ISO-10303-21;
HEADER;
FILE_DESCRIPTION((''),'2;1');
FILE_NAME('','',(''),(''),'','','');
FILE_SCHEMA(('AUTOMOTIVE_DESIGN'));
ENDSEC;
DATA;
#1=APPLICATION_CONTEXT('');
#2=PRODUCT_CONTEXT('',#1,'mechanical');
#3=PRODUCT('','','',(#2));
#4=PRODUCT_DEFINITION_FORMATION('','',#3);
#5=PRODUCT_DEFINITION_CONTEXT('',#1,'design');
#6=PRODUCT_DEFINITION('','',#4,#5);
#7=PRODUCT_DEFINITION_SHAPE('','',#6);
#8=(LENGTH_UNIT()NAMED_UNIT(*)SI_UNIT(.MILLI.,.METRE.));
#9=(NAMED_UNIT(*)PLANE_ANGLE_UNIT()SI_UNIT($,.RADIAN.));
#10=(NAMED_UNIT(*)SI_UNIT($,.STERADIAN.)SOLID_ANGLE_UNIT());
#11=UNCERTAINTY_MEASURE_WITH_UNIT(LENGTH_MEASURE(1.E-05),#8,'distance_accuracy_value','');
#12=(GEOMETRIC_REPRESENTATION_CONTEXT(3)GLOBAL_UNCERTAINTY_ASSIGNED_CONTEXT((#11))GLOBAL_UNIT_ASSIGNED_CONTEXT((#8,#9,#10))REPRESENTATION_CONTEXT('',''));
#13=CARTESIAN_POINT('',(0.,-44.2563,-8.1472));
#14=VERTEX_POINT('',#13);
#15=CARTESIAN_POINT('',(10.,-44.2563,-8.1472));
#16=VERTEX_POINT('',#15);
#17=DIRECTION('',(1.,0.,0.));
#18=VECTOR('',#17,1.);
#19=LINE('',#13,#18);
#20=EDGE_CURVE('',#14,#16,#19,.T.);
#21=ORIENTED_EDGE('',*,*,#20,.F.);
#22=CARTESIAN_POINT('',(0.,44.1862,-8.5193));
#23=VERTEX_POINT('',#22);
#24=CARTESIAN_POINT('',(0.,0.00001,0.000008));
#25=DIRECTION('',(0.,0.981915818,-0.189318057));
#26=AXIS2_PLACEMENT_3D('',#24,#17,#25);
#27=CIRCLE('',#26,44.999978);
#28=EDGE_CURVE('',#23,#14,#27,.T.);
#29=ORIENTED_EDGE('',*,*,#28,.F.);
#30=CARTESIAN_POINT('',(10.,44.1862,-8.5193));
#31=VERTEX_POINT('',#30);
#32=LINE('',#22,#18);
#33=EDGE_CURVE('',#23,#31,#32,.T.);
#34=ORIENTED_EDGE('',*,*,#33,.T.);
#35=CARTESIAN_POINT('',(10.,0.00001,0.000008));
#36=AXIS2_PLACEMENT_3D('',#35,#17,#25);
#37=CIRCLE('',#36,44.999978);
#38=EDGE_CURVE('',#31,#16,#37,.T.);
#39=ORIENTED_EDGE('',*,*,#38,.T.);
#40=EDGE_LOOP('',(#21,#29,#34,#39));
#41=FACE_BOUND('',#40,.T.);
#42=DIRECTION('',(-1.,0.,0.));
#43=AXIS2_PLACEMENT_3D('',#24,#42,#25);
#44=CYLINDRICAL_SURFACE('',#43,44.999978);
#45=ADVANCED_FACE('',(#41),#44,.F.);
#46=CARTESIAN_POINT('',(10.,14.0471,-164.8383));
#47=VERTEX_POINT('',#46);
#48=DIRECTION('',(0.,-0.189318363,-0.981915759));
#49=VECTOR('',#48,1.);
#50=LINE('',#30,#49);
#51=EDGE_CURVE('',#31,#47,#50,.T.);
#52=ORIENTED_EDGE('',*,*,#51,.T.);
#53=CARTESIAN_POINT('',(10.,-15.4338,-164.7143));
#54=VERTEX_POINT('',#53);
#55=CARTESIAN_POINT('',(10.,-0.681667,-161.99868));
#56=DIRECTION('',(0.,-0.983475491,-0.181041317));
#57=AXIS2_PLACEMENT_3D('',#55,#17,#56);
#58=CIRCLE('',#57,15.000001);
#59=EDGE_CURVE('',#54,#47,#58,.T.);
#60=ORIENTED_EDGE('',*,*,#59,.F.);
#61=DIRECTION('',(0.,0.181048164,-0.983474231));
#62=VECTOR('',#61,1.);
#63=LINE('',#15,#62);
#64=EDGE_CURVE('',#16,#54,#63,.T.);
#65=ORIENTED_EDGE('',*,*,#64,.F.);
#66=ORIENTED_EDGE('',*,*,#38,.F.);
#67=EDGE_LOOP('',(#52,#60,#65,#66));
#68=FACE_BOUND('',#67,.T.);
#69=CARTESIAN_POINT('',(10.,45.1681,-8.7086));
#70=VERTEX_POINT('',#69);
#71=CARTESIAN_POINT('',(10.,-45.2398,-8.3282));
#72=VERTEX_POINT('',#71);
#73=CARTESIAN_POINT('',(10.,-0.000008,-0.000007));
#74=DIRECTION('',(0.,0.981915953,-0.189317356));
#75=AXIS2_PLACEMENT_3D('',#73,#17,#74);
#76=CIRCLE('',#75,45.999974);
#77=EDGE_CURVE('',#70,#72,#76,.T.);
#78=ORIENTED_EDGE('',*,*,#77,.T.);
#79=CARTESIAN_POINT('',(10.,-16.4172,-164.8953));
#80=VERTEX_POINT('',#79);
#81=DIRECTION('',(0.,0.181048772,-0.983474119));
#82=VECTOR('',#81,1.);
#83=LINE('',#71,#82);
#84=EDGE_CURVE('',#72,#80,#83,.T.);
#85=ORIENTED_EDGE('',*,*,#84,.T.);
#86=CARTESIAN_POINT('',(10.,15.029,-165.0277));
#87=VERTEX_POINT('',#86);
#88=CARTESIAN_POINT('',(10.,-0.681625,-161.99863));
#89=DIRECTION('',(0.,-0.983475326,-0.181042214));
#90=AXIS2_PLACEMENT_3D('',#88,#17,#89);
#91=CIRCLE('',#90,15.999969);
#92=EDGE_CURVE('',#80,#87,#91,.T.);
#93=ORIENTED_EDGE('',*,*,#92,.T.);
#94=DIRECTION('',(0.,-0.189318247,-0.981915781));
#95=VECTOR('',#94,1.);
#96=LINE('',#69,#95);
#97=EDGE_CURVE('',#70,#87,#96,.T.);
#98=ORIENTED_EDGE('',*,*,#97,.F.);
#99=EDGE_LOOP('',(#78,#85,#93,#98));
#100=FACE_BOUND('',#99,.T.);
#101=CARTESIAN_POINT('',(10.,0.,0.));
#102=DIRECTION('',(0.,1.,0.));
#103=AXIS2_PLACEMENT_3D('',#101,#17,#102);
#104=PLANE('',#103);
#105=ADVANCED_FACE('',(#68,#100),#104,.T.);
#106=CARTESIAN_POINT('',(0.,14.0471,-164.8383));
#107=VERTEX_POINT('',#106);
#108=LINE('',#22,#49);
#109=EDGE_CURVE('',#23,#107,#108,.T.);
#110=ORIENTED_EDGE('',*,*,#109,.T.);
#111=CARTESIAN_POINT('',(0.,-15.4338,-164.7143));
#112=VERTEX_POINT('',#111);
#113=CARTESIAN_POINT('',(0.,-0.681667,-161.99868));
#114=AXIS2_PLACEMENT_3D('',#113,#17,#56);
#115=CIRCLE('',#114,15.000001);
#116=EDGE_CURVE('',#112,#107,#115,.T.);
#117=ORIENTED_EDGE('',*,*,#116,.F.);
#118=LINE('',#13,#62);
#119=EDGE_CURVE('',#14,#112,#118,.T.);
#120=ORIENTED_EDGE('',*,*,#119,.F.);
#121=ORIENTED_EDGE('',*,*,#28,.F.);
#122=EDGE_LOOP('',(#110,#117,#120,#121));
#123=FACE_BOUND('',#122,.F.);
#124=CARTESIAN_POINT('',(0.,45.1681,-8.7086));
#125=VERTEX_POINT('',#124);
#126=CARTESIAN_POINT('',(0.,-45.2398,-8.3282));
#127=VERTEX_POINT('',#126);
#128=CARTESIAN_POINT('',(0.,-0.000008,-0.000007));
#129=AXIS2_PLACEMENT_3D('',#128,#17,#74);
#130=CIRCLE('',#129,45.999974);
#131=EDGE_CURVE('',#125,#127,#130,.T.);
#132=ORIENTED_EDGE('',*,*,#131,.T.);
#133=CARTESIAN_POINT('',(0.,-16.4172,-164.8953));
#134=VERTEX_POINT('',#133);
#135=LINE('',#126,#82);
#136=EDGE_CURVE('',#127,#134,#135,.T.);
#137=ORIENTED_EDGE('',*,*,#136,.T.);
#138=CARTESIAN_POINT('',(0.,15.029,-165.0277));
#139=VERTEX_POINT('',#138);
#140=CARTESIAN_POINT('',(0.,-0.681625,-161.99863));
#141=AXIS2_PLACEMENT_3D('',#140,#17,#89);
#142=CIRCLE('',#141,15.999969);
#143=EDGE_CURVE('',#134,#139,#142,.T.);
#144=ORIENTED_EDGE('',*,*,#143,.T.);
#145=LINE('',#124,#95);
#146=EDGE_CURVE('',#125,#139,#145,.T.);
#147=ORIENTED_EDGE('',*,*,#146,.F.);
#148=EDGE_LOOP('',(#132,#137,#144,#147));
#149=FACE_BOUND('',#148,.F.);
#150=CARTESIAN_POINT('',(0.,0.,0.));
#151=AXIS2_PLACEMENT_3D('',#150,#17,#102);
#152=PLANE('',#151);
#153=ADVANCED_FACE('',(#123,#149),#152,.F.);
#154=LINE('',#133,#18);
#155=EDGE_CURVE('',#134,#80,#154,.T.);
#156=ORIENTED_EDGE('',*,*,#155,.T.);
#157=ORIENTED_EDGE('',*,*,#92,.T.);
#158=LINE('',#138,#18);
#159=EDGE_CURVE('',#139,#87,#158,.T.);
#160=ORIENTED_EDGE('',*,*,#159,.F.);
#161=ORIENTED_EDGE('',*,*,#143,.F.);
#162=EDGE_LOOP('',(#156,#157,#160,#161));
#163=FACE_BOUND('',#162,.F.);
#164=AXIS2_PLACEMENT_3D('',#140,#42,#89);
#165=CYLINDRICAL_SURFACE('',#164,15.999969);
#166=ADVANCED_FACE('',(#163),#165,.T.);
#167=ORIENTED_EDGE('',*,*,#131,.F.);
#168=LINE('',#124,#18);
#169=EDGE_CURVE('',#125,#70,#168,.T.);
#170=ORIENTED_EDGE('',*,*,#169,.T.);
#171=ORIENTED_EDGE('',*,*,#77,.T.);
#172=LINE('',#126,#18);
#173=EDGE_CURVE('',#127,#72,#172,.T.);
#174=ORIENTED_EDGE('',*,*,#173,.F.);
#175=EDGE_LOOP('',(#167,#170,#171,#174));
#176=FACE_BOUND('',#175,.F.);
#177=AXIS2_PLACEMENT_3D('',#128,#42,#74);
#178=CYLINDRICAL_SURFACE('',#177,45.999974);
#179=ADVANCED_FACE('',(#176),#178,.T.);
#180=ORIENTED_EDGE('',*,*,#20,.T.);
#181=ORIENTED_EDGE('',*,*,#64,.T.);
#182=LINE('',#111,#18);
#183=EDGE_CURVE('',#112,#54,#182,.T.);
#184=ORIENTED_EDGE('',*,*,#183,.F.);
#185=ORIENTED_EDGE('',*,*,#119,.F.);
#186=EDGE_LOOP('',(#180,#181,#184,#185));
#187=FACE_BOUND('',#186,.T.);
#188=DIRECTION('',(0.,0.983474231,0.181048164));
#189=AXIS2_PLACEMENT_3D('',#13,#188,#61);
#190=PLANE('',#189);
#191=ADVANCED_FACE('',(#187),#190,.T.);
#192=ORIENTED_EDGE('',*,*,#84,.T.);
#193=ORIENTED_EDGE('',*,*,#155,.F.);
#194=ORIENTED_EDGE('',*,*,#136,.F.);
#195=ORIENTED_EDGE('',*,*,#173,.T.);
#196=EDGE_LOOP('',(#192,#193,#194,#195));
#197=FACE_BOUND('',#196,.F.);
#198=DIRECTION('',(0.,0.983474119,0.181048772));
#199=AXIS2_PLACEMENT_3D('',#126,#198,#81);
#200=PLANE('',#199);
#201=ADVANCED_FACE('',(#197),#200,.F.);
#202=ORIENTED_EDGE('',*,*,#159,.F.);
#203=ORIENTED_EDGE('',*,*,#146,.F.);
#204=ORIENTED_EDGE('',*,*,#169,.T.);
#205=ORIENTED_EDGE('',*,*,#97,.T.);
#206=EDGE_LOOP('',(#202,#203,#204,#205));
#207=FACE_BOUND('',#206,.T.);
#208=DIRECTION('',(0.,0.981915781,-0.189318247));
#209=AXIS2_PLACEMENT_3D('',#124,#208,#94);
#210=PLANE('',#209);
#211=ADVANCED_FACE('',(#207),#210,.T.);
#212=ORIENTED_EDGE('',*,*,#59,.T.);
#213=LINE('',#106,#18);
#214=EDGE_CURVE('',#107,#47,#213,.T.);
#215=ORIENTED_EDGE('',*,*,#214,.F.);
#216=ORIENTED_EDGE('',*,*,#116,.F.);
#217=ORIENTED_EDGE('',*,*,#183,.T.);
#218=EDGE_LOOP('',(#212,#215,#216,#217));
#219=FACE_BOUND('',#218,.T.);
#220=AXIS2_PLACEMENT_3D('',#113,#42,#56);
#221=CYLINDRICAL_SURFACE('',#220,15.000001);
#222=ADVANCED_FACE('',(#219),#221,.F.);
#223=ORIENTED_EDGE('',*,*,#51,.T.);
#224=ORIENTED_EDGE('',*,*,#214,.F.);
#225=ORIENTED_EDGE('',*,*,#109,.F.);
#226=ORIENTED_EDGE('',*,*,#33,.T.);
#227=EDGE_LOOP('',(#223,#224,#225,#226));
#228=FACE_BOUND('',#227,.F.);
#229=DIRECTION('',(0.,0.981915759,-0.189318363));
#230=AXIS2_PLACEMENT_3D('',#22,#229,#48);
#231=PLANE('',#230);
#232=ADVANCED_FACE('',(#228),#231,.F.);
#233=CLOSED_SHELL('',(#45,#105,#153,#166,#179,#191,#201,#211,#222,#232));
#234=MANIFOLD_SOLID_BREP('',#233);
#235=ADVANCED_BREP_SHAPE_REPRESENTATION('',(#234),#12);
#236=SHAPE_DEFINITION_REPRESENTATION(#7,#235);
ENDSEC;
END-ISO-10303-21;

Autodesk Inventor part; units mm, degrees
ref_plane "YZ Plane" through (0, 0, 0) normal (1, 0, 0) x (0, 1, 0)
ref_plane "XZ Plane" through (0, 0, 0) normal (0, 1, 0) x (-1, 0, 0)
ref_plane "XY Plane" through (0, 0, 0) normal (0, 0, 1) x (1, 0, 0)
sketch "スケッチ1" plane through (0, 0, 0) normal (1, 0, 0) x (0, 1, 0)
  arc A0 (45.1681, -8.7086) -> (-45.2398, -8.3282) centre (0, 0) ccw
  arc A1 (-16.4172, -164.8953) -> (15.029, -165.0277) centre (-0.6816, -161.9986) ccw
  line L0 (45.1681, -8.7086) -> (15.029, -165.0277)
  line L1 (-45.2398, -8.3282) -> (-16.4172, -164.8953)
  arc A2 (44.1862, -8.5193) -> (-44.2563, -8.1472) centre (0, 0) ccw
  arc A3 (-15.4338, -164.7143) -> (14.0471, -164.8383) centre (-0.6816, -161.9986) ccw
  line L2 (44.1862, -8.5193) -> (14.0471, -164.8383)
  line L3 (-44.2563, -8.1472) -> (-15.4338, -164.7143)
  dimension "d0" = 92
  dimension "d1" = 32
  dimension "d2" = 100
  dimension "d3" = 90
  dimension "d4" = 30
extrude "押し出し1" add sketch "スケッチ1" along normal blind 10
properties part number "type4" material "ゴム"
